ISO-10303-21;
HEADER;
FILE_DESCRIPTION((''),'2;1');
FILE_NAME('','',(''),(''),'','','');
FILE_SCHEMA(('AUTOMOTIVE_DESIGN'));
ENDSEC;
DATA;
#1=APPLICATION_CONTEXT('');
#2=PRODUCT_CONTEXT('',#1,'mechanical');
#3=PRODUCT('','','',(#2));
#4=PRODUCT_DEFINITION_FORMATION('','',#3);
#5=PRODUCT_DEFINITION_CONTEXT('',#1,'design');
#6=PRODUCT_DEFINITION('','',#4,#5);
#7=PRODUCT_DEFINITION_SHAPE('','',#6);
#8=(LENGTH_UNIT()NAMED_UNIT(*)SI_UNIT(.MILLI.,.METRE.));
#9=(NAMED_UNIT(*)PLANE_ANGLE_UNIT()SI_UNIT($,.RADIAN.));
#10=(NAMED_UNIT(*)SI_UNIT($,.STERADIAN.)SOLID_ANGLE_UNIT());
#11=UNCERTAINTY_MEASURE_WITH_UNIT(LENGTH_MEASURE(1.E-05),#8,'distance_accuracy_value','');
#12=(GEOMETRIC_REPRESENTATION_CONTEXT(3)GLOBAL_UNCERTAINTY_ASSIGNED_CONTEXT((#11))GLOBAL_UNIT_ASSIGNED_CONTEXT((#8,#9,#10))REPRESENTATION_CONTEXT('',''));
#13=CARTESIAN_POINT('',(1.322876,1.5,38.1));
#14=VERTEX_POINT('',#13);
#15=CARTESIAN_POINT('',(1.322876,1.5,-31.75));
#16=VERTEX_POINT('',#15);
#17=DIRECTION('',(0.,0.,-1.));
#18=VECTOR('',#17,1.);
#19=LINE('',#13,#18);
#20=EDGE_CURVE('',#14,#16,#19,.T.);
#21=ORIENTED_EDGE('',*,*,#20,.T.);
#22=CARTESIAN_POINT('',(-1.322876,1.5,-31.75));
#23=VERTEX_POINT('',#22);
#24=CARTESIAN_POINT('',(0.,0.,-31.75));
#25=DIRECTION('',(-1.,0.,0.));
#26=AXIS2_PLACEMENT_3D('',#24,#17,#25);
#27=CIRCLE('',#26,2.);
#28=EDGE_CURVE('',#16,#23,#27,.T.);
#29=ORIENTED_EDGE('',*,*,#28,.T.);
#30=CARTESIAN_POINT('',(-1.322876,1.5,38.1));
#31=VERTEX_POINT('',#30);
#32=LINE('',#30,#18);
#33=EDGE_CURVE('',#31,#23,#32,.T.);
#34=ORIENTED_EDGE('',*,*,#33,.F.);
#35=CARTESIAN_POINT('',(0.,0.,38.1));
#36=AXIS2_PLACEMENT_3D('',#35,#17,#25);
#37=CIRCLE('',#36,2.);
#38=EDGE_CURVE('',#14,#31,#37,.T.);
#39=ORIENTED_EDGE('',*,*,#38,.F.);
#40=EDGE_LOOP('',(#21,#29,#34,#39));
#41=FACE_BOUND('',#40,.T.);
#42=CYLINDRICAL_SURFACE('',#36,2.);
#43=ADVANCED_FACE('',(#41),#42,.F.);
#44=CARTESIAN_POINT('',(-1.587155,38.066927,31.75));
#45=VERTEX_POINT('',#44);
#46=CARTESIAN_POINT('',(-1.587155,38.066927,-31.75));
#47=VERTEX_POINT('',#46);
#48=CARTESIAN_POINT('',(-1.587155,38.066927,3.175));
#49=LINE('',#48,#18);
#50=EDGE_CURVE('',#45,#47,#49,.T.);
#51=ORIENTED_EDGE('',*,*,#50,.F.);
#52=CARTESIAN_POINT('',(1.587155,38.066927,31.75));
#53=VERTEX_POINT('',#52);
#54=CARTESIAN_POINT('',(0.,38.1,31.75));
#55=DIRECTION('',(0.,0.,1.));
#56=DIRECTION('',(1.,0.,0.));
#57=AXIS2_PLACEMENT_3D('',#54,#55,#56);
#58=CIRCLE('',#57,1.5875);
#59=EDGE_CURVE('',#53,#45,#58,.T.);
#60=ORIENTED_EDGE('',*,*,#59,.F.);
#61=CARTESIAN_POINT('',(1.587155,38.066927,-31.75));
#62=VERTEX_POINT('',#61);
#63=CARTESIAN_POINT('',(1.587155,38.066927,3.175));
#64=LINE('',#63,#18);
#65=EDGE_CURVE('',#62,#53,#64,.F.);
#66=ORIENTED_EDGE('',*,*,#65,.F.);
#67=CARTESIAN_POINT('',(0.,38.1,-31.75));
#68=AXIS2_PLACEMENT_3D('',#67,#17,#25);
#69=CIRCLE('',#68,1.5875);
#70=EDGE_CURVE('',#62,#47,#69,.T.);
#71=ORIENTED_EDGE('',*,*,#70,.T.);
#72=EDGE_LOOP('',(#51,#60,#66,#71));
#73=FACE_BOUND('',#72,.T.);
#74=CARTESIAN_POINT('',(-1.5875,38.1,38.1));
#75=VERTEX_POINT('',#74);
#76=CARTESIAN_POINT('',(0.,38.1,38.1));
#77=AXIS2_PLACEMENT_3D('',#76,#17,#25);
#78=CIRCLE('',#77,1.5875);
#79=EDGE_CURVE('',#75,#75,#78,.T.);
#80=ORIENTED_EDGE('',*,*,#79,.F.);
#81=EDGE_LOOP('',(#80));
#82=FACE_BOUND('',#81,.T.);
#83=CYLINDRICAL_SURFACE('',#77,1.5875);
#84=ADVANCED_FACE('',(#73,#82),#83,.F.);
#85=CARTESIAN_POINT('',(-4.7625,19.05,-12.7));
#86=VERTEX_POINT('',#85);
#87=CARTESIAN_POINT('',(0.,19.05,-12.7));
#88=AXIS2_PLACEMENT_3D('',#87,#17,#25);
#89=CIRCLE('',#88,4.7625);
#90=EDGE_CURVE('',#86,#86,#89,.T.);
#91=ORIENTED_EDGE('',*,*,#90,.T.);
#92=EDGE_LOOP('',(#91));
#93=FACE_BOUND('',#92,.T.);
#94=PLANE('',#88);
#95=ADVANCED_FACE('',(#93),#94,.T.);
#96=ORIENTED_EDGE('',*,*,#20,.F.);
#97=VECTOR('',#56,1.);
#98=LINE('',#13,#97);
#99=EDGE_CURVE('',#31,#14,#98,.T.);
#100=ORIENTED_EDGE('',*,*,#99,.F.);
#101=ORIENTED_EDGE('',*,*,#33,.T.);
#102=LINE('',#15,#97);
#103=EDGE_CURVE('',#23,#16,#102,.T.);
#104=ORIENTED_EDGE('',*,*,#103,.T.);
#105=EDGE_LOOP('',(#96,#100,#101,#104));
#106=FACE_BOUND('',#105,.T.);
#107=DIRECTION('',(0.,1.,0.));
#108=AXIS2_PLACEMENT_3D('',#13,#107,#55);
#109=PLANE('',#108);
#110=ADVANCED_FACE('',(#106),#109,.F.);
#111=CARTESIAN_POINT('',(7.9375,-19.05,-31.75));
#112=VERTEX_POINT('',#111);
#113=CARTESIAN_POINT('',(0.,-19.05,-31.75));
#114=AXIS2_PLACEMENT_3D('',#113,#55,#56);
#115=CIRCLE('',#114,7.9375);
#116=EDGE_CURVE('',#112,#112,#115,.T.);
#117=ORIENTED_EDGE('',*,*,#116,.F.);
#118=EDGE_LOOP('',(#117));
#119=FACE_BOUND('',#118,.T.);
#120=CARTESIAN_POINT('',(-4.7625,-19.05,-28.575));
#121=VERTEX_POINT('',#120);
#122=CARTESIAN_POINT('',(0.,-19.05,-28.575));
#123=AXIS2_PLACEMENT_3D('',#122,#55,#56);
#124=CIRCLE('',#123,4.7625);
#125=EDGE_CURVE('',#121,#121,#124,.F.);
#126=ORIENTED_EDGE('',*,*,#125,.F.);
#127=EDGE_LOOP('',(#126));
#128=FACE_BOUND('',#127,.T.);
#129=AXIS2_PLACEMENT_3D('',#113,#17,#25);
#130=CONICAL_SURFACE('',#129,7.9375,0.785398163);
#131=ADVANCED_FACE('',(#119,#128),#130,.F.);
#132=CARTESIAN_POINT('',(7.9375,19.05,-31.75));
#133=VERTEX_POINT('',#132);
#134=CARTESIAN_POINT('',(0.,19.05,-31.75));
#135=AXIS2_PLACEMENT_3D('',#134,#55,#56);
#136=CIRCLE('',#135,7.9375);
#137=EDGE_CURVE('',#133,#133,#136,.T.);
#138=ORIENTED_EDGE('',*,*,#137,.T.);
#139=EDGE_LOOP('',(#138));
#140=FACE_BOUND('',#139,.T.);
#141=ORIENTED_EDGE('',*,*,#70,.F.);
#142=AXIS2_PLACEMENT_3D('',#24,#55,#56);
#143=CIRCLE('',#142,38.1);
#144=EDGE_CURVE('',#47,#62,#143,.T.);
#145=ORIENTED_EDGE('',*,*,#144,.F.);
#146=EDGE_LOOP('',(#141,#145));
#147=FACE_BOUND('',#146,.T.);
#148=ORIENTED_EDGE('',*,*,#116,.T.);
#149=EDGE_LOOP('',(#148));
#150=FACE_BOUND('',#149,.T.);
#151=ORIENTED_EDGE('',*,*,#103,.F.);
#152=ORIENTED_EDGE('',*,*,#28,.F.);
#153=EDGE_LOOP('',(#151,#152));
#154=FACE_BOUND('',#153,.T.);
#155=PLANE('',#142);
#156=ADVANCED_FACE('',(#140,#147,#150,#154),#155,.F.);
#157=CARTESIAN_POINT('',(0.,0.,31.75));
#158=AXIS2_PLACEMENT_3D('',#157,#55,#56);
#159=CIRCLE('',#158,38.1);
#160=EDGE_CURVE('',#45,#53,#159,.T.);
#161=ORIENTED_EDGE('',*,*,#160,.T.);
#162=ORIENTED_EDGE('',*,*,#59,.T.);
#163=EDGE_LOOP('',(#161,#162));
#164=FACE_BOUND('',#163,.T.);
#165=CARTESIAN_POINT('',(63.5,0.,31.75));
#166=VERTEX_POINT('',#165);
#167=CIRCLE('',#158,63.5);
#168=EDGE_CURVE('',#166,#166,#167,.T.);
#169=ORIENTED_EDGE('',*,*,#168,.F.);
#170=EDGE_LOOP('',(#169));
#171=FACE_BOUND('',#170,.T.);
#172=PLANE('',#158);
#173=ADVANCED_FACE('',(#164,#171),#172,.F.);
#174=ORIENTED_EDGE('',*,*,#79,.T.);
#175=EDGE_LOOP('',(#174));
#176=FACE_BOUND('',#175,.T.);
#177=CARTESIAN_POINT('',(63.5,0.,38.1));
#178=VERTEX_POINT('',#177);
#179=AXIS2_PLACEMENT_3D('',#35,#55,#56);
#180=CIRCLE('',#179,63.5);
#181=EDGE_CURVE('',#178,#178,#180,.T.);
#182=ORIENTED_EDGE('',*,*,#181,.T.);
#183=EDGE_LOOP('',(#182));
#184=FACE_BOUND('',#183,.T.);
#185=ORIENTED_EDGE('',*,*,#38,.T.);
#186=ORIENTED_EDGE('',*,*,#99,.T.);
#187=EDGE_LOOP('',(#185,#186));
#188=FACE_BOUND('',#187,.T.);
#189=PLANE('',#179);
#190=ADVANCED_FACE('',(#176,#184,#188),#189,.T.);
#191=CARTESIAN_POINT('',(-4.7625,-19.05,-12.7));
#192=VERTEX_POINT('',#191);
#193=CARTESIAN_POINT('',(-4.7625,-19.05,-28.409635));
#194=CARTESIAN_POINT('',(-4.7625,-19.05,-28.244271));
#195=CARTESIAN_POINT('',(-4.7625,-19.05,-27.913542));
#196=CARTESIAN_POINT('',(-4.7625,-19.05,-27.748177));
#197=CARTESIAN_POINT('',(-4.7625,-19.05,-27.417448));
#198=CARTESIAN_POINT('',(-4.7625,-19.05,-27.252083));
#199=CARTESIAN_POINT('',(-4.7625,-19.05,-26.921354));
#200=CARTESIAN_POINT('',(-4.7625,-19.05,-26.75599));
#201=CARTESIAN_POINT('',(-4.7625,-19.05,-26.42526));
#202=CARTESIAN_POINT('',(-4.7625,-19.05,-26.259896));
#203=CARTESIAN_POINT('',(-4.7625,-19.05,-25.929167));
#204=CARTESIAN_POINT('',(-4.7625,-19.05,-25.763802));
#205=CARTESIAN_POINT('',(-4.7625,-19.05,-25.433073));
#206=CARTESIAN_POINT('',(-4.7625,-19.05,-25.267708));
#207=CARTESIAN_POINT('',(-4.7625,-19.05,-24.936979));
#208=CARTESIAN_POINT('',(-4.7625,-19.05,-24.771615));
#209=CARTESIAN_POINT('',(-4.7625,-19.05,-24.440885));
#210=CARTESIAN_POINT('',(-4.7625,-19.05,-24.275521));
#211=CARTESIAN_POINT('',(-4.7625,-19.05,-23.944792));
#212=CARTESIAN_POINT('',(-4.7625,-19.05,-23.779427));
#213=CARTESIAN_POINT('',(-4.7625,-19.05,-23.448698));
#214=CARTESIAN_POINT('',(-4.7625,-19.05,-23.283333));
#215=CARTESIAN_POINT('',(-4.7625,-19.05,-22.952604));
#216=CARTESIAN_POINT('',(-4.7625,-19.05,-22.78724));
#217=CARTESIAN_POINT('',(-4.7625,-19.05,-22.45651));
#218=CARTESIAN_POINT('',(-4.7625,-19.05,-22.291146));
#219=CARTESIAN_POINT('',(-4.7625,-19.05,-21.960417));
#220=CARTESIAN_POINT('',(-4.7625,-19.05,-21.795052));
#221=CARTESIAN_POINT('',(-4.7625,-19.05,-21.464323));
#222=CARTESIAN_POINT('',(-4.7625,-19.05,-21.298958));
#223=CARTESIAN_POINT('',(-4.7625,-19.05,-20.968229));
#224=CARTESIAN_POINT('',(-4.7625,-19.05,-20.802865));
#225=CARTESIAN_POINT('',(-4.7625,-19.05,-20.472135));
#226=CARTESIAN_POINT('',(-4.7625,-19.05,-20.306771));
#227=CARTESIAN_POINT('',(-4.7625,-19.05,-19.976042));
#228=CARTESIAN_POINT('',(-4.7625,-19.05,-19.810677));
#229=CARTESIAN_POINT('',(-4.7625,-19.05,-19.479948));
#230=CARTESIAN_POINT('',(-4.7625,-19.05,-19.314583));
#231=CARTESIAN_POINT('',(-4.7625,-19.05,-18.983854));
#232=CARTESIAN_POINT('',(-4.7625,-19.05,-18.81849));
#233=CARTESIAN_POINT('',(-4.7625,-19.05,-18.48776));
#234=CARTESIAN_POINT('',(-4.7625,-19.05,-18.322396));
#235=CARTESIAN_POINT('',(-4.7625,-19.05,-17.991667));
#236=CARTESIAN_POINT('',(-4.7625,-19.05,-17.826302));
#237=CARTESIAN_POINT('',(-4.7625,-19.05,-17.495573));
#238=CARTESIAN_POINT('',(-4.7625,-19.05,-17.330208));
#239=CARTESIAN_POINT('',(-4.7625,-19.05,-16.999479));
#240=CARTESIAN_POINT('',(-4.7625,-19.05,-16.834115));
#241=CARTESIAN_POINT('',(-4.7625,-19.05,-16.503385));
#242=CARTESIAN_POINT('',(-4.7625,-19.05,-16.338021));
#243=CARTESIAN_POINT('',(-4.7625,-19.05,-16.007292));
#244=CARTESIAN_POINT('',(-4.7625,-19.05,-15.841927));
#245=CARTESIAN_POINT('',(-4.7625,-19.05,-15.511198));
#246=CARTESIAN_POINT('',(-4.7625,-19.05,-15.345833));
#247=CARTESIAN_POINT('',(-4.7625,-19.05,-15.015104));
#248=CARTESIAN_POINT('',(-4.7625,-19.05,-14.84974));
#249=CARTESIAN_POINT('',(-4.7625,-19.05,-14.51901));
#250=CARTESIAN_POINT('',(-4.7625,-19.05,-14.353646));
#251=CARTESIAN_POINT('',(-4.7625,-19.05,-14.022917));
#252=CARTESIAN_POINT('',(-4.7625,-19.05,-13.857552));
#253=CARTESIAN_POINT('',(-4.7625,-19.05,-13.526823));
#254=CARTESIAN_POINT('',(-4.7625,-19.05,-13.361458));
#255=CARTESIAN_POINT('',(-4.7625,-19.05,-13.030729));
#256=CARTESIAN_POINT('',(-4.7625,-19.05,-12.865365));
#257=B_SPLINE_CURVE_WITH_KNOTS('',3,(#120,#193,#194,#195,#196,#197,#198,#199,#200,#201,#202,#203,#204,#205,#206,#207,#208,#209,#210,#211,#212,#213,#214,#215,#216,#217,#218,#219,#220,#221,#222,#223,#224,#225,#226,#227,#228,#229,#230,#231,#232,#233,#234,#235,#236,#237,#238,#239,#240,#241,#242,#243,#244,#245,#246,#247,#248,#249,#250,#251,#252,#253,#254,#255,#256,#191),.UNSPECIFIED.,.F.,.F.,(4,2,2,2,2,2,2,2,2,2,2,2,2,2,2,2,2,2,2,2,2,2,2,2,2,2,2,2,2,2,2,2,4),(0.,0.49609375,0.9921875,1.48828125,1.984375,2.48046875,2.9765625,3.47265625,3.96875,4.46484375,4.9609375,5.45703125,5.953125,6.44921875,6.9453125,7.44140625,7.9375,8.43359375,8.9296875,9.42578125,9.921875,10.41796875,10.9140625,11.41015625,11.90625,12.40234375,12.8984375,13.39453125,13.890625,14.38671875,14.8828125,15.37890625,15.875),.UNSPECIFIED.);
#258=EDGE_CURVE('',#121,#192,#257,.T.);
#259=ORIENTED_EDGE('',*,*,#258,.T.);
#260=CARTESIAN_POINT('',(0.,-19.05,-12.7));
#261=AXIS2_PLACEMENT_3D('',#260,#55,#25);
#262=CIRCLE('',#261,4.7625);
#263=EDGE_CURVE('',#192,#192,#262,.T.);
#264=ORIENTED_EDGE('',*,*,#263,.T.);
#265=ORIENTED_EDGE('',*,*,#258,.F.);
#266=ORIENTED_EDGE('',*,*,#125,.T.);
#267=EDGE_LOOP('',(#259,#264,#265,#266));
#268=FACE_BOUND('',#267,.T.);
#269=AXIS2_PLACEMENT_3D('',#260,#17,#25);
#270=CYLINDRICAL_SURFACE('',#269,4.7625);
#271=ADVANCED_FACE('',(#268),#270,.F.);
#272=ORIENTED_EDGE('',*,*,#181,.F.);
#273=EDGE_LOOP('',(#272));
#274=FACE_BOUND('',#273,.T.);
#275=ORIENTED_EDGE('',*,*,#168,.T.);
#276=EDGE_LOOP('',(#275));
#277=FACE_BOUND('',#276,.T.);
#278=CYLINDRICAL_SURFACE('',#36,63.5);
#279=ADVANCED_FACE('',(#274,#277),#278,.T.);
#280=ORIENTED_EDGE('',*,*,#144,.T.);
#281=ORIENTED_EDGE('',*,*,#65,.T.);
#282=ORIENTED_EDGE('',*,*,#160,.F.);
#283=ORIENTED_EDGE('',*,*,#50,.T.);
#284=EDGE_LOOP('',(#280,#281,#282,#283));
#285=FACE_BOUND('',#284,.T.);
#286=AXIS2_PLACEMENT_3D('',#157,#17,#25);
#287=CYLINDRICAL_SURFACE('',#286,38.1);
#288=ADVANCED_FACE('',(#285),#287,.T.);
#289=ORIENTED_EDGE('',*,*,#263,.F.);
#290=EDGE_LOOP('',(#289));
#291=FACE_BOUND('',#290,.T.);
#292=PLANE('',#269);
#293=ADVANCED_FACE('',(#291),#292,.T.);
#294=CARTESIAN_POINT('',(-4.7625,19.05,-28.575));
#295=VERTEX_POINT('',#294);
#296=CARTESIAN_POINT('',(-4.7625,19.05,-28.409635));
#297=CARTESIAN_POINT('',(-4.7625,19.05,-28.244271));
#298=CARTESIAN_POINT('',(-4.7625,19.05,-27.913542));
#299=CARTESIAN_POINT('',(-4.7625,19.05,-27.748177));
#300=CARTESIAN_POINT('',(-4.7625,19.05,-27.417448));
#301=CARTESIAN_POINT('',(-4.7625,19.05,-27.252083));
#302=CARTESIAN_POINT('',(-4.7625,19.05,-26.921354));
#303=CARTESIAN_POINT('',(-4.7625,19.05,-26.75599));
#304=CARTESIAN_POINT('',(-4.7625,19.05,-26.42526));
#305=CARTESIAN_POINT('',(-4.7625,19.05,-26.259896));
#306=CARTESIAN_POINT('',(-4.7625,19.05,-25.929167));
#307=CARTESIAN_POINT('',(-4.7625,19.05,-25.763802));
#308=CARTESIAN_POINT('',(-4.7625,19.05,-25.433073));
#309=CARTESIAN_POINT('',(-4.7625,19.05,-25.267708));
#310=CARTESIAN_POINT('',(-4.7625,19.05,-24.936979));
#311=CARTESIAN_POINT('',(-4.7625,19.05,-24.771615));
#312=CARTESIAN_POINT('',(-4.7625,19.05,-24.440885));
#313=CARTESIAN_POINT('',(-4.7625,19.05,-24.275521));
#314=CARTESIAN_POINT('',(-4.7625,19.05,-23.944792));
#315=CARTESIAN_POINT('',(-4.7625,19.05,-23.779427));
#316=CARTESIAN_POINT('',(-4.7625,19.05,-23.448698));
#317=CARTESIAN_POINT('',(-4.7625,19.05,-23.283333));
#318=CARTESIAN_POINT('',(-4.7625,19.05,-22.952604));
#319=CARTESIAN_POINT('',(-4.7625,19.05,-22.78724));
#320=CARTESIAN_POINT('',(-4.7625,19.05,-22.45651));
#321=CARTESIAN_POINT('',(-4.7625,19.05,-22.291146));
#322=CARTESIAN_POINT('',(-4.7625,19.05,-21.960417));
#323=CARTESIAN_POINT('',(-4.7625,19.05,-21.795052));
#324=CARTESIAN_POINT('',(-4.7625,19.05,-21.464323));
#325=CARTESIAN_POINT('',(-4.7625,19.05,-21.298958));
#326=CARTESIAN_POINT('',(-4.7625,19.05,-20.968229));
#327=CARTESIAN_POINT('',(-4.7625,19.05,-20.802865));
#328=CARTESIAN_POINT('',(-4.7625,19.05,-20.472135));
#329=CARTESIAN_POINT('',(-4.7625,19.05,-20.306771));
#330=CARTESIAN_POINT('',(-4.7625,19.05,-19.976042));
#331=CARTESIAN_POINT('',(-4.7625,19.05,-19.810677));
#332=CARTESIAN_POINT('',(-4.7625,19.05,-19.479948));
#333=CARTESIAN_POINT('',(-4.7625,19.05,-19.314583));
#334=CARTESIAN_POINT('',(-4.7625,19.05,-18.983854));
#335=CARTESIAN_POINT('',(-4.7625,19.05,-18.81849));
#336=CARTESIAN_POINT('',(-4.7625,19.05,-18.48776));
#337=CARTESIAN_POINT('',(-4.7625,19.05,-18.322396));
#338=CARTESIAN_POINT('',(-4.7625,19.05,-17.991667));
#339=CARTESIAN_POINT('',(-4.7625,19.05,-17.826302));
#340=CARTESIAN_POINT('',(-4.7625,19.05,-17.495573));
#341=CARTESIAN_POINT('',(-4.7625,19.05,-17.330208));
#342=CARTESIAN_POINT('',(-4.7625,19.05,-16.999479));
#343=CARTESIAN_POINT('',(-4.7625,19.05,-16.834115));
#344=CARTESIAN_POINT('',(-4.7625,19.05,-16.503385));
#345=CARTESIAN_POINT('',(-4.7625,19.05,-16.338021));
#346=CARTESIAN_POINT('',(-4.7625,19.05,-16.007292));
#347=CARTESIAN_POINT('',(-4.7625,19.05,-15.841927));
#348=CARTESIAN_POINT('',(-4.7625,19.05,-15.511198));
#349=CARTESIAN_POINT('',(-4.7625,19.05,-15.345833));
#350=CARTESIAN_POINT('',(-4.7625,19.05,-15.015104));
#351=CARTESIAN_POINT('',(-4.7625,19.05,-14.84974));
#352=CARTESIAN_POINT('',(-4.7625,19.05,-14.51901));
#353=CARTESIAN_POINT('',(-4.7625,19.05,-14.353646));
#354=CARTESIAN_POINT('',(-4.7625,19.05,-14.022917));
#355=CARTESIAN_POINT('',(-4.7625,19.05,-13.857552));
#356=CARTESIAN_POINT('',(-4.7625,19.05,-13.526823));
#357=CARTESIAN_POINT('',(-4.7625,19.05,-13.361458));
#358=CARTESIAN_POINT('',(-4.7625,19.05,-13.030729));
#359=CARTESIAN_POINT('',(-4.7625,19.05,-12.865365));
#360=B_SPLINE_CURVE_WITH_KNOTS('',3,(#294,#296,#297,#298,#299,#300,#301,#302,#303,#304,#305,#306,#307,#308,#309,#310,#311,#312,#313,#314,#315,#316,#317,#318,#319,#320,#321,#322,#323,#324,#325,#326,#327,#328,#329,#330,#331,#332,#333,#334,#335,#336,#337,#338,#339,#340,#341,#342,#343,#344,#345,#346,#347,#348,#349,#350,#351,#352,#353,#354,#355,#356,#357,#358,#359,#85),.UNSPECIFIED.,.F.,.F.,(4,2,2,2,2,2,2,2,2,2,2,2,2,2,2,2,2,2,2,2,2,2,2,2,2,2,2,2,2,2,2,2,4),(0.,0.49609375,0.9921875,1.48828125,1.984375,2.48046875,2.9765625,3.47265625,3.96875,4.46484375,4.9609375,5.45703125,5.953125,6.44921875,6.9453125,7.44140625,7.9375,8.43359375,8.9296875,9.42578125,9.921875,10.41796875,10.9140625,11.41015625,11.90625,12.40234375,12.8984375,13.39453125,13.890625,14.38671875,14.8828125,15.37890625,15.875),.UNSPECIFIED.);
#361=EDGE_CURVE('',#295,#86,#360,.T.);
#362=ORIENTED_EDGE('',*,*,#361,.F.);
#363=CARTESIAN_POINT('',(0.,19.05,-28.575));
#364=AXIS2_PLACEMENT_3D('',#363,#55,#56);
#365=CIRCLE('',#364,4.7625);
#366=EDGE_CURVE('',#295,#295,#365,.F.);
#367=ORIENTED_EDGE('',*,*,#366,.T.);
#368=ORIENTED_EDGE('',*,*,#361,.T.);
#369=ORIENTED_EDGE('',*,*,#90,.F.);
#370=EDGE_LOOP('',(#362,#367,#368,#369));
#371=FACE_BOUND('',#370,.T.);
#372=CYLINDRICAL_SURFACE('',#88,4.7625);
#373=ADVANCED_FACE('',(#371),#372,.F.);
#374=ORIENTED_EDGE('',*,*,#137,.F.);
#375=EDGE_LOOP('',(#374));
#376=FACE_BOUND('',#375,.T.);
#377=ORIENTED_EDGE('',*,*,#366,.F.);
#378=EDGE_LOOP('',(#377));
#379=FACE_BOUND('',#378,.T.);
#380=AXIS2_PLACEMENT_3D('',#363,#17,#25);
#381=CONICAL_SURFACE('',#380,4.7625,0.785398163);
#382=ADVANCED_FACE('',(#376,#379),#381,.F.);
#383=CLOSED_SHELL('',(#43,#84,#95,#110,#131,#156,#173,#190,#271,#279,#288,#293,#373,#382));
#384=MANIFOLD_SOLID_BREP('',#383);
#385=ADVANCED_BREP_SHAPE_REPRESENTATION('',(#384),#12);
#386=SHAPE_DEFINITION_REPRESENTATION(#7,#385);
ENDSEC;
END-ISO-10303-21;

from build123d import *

# Parameters (mm, degrees)
SKETCH2_R                = 38.1
BOSS_EXTRUDE1_DEPTH      = 31.75
SKETCH5_R                = 63.5
BOSS_EXTRUDE2_DEPTH      = 6.35
CUT_EXTRUDE1_DEPTH       = 110.985226281
CUT_EXTRUDE1_DEPTH_BACK  = 110.985226281
SKETCH7_R                = 1.5875
CUT_EXTRUDE2_DEPTH       = 114.769602707
SKETCH9_R                = 4.7625
CUT_EXTRUDE3_DEPTH       = 19.05
CHAMFER1_SIZE            = 3.175
CHAMFER1_OF_MIRROR1_SIZE = 3.175


with BuildPart() as part:
    # Sketch2 → Boss-Extrude1 (new, symmetric)
    with BuildSketch(Plane.XY):
        Circle(SKETCH2_R)
    extrude(amount=BOSS_EXTRUDE1_DEPTH, both=True)

    # Sketch5 → Boss-Extrude2 (add)
    with BuildSketch(Plane.XY.offset(31.75)):
        Circle(SKETCH5_R)
    extrude(amount=BOSS_EXTRUDE2_DEPTH)

    # Sketch7 → Cut-Extrude1 (cut, two sides: drawn at the far end of the back side and taken through both)
    with BuildSketch(Plane(origin=(0, 0, 31.75), x_dir=(-1, 0, 0), z_dir=(0, 0, -1)).offset(-CUT_EXTRUDE1_DEPTH_BACK)):
        with Locations((0, 38.1)):
            Circle(SKETCH7_R)
    extrude(amount=CUT_EXTRUDE1_DEPTH + CUT_EXTRUDE1_DEPTH_BACK, mode=Mode.SUBTRACT)

    # Sketch8 → Cut-Extrude2 (cut, through all)
    with BuildSketch(Plane(origin=(0, 0, -31.75), x_dir=(-1, 0, 0), z_dir=(0, 0, -1))):
        with BuildLine():
            Line((-1.322875656, 1.5), (1.322875656, 1.5))
            ThreePointArc((1.322875656, 1.5), (0, -2), (-1.322875656, 1.5))
        make_face()
    extrude(amount=-CUT_EXTRUDE2_DEPTH, mode=Mode.SUBTRACT)

    # Sketch9 → Cut-Extrude3 (cut)
    with BuildSketch(Plane(origin=(0, 0, -31.75), x_dir=(-1, 0, 0), z_dir=(0, 0, -1))):
        with Locations((0, 19.05)):
            Circle(SKETCH9_R)
    cut_extrude3 = extrude(amount=-CUT_EXTRUDE3_DEPTH, mode=Mode.SUBTRACT)

    # Chamfer1
    chamfer1_edges = [part.edges().sort_by_distance(p)[0] for p in [
        (4.7625, 19.05, -31.75),
    ]]
    chamfer(chamfer1_edges, length=CHAMFER1_SIZE)

    # Mirror1: Cut-Extrude3 across plane
    add(cut_extrude3.mirror(Plane.ZX), mode=Mode.SUBTRACT)

    # Chamfer1 of Mirror1
    chamfer1_of_mirror1_edges = [part.edges().sort_by_distance(p)[0] for p in [
        (4.7625, -19.05, -31.75),
    ]]
    chamfer(chamfer1_of_mirror1_edges, length=CHAMFER1_OF_MIRROR1_SIZE)


solid = part.part
